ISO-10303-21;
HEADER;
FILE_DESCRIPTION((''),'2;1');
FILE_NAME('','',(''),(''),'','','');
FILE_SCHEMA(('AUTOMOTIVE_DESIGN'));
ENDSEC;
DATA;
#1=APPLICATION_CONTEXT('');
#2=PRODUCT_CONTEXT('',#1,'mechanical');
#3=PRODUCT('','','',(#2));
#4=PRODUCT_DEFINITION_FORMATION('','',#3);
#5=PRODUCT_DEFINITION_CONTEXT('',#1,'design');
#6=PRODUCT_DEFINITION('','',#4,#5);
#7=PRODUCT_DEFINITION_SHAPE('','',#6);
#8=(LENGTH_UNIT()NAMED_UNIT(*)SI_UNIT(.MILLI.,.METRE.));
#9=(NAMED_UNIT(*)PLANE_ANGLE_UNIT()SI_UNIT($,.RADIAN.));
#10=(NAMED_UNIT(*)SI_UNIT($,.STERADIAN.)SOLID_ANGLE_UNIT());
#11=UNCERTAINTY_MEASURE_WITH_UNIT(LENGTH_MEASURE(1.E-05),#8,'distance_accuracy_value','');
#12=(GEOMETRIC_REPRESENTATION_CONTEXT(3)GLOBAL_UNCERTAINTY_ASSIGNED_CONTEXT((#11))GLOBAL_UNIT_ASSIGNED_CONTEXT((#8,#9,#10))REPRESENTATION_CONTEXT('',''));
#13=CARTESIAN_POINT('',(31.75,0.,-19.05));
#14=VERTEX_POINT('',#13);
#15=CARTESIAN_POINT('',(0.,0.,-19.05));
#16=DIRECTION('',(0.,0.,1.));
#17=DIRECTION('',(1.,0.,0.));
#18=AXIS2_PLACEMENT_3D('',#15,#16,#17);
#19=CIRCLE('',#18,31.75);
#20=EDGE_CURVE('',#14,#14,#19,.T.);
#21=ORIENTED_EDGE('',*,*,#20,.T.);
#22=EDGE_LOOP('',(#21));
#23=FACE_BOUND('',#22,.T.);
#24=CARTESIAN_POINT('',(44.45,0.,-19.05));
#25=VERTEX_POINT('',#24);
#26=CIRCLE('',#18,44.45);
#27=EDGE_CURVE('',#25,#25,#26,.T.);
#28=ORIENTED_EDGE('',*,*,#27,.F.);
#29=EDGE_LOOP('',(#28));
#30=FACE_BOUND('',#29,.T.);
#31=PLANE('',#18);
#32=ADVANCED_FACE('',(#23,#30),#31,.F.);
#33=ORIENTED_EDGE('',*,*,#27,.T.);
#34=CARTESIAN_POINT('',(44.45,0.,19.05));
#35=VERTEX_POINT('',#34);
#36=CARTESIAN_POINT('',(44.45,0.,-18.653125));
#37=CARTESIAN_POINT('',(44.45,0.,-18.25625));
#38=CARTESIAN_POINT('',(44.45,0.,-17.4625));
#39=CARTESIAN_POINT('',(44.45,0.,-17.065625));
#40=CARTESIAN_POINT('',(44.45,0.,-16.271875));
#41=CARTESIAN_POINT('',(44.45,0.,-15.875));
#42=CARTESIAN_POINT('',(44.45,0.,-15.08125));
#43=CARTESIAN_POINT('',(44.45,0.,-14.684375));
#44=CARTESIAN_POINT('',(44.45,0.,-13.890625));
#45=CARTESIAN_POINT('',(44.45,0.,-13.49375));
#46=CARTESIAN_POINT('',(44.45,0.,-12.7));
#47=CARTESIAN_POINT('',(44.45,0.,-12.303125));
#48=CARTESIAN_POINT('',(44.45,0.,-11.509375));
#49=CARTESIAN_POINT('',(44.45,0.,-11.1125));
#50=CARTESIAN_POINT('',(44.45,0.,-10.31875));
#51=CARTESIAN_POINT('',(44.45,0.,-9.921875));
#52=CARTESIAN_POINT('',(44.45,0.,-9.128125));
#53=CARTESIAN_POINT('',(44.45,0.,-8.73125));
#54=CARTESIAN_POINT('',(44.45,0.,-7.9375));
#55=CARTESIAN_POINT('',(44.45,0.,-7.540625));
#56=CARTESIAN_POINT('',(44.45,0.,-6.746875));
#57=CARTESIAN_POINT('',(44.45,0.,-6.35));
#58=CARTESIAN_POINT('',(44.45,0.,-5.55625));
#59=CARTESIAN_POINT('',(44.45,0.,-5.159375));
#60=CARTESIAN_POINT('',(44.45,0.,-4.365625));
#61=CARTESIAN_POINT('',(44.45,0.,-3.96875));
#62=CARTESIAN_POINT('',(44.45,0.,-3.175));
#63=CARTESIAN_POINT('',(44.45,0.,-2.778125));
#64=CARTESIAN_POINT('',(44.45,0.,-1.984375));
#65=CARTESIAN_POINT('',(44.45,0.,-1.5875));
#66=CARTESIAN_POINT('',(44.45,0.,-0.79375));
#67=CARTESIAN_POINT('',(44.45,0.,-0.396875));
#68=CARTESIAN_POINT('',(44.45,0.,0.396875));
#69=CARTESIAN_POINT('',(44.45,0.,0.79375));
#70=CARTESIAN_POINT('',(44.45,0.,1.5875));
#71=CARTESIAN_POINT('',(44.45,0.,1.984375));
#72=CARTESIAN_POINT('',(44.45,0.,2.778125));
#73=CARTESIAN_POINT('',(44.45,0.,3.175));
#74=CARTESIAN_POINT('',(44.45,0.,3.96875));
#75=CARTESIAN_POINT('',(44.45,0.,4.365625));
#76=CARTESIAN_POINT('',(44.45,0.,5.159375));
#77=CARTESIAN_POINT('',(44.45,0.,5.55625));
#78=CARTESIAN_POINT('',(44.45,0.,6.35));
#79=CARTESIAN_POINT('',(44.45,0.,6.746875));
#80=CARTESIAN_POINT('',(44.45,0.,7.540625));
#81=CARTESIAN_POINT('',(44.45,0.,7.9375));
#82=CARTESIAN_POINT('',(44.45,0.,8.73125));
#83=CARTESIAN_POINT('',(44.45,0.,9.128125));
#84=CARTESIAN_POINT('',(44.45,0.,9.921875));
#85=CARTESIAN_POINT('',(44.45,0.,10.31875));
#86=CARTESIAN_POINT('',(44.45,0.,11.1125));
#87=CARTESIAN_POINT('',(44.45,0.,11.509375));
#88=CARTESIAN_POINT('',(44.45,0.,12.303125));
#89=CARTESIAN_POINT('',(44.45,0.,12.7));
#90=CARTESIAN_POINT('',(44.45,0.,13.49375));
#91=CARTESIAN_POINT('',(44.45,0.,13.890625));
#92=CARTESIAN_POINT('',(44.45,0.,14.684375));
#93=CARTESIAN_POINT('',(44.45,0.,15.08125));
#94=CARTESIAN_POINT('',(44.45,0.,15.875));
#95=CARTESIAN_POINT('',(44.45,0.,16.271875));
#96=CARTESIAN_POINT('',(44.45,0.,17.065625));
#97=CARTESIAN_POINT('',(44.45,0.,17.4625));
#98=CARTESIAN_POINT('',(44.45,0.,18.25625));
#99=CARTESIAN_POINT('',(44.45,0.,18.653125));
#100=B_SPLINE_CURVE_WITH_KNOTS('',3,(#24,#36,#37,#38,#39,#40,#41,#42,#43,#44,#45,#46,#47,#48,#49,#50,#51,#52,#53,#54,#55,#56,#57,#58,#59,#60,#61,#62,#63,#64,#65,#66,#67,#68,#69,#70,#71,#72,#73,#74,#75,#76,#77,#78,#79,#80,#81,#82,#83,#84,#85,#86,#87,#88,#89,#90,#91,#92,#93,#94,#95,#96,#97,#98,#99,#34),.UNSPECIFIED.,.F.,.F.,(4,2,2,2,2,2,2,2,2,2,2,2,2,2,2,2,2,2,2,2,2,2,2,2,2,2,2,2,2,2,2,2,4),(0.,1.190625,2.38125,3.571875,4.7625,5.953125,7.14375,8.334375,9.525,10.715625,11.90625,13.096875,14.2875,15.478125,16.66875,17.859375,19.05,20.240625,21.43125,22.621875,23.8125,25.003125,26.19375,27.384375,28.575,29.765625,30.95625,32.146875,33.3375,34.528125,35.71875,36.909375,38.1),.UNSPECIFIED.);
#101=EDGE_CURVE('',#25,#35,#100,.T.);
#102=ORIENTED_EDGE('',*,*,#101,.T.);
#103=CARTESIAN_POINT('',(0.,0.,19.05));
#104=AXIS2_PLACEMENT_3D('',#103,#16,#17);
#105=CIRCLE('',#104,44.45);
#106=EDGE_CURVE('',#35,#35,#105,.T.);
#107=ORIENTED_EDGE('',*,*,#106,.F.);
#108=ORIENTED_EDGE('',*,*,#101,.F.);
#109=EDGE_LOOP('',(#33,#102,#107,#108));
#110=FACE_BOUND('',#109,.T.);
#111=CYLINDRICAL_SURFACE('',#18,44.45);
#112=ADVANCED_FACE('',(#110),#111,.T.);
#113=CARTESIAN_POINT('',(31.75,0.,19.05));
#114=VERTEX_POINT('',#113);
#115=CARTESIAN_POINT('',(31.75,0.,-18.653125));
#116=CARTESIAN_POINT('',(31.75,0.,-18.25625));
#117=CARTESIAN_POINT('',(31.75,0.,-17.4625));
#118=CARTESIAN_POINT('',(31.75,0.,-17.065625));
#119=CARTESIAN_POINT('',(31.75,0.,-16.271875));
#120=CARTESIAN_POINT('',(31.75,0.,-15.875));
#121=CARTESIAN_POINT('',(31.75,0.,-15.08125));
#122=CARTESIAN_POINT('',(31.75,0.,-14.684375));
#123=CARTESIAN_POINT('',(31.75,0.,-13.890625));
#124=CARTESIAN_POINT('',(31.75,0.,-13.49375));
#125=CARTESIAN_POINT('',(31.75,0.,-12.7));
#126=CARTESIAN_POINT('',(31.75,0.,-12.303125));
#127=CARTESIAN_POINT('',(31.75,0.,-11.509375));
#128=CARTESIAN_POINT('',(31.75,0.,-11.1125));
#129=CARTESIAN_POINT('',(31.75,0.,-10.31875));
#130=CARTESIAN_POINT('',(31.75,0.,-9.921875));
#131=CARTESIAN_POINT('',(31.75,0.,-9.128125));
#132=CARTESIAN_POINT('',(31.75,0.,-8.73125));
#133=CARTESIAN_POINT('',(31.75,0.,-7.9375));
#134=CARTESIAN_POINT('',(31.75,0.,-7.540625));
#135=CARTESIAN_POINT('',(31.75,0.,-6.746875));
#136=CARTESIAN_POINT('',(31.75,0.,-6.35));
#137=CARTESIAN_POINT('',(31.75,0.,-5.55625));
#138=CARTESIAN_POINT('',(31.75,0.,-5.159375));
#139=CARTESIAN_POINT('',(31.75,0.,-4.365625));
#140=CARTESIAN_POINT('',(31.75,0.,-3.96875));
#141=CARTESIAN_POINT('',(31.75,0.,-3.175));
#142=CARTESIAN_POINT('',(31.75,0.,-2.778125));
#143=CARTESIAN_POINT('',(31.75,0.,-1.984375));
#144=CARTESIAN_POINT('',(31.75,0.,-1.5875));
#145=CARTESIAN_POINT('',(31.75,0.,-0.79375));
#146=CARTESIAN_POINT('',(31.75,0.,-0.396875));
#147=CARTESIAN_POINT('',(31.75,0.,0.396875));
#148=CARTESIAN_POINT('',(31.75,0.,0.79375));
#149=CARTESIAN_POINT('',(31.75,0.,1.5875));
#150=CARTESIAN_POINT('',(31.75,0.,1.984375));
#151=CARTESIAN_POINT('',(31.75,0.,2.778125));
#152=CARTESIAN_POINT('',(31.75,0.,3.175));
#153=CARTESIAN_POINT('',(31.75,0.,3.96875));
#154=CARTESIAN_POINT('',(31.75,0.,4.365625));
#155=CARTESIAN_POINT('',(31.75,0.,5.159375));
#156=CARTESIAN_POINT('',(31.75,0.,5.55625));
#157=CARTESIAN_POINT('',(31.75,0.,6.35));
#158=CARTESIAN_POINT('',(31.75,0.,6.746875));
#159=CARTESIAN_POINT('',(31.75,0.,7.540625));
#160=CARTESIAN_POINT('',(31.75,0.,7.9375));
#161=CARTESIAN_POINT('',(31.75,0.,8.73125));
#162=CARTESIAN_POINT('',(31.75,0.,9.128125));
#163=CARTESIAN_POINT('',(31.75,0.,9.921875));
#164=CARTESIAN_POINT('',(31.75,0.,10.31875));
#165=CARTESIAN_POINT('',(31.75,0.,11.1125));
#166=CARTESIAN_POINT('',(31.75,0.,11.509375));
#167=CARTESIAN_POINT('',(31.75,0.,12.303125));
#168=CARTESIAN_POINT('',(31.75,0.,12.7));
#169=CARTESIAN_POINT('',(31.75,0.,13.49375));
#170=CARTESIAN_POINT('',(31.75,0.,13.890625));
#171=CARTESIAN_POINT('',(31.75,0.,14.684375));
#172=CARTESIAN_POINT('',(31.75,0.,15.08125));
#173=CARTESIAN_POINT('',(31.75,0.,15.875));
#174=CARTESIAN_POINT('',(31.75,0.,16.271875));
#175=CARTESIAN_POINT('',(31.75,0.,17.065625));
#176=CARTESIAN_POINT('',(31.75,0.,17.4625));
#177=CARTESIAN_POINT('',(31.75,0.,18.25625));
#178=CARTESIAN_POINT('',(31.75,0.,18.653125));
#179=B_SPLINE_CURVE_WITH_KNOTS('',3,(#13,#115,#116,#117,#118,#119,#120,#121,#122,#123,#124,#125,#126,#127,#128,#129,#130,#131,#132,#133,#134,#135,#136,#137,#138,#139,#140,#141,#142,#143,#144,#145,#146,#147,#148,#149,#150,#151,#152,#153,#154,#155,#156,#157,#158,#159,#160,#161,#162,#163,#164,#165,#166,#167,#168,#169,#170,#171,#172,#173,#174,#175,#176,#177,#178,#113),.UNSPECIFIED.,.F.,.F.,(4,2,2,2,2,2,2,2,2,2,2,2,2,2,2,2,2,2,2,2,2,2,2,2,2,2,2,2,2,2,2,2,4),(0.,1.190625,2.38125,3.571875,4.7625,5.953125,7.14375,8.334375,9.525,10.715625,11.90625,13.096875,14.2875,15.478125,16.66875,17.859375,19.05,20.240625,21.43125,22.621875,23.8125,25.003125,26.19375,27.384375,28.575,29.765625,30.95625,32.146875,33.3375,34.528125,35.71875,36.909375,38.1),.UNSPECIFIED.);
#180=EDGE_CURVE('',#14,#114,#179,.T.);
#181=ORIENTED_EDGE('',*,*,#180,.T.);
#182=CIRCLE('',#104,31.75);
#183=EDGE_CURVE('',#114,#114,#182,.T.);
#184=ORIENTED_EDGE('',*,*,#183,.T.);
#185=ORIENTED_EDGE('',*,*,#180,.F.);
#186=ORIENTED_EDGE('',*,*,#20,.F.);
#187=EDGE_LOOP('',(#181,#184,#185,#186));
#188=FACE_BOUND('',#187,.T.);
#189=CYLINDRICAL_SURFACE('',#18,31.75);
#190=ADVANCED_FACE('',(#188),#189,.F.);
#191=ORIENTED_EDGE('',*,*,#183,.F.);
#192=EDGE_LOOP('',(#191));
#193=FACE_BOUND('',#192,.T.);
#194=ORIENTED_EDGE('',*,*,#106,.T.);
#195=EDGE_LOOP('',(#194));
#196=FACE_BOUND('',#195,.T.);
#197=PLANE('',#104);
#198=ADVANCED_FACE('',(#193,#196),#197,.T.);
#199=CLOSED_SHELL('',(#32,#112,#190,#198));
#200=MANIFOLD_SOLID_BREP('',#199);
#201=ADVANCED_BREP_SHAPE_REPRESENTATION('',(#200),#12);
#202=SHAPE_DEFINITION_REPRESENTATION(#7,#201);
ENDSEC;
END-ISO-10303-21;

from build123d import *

# Parameters (mm, degrees)
BOSS_EXTRUDE1_START = 19.05
SKETCH1_R           = 44.45
SKETCH1_R_2         = 31.75
BOSS_EXTRUDE1_DEPTH = 38.1


with BuildPart() as part:
    # Sketch1 → Boss-Extrude1 (new body)
    with BuildSketch(Plane.XY.offset(BOSS_EXTRUDE1_START)):
        Circle(SKETCH1_R)
        Circle(SKETCH1_R_2, mode=Mode.SUBTRACT)
    extrude(amount=-BOSS_EXTRUDE1_DEPTH)


solid = part.part
